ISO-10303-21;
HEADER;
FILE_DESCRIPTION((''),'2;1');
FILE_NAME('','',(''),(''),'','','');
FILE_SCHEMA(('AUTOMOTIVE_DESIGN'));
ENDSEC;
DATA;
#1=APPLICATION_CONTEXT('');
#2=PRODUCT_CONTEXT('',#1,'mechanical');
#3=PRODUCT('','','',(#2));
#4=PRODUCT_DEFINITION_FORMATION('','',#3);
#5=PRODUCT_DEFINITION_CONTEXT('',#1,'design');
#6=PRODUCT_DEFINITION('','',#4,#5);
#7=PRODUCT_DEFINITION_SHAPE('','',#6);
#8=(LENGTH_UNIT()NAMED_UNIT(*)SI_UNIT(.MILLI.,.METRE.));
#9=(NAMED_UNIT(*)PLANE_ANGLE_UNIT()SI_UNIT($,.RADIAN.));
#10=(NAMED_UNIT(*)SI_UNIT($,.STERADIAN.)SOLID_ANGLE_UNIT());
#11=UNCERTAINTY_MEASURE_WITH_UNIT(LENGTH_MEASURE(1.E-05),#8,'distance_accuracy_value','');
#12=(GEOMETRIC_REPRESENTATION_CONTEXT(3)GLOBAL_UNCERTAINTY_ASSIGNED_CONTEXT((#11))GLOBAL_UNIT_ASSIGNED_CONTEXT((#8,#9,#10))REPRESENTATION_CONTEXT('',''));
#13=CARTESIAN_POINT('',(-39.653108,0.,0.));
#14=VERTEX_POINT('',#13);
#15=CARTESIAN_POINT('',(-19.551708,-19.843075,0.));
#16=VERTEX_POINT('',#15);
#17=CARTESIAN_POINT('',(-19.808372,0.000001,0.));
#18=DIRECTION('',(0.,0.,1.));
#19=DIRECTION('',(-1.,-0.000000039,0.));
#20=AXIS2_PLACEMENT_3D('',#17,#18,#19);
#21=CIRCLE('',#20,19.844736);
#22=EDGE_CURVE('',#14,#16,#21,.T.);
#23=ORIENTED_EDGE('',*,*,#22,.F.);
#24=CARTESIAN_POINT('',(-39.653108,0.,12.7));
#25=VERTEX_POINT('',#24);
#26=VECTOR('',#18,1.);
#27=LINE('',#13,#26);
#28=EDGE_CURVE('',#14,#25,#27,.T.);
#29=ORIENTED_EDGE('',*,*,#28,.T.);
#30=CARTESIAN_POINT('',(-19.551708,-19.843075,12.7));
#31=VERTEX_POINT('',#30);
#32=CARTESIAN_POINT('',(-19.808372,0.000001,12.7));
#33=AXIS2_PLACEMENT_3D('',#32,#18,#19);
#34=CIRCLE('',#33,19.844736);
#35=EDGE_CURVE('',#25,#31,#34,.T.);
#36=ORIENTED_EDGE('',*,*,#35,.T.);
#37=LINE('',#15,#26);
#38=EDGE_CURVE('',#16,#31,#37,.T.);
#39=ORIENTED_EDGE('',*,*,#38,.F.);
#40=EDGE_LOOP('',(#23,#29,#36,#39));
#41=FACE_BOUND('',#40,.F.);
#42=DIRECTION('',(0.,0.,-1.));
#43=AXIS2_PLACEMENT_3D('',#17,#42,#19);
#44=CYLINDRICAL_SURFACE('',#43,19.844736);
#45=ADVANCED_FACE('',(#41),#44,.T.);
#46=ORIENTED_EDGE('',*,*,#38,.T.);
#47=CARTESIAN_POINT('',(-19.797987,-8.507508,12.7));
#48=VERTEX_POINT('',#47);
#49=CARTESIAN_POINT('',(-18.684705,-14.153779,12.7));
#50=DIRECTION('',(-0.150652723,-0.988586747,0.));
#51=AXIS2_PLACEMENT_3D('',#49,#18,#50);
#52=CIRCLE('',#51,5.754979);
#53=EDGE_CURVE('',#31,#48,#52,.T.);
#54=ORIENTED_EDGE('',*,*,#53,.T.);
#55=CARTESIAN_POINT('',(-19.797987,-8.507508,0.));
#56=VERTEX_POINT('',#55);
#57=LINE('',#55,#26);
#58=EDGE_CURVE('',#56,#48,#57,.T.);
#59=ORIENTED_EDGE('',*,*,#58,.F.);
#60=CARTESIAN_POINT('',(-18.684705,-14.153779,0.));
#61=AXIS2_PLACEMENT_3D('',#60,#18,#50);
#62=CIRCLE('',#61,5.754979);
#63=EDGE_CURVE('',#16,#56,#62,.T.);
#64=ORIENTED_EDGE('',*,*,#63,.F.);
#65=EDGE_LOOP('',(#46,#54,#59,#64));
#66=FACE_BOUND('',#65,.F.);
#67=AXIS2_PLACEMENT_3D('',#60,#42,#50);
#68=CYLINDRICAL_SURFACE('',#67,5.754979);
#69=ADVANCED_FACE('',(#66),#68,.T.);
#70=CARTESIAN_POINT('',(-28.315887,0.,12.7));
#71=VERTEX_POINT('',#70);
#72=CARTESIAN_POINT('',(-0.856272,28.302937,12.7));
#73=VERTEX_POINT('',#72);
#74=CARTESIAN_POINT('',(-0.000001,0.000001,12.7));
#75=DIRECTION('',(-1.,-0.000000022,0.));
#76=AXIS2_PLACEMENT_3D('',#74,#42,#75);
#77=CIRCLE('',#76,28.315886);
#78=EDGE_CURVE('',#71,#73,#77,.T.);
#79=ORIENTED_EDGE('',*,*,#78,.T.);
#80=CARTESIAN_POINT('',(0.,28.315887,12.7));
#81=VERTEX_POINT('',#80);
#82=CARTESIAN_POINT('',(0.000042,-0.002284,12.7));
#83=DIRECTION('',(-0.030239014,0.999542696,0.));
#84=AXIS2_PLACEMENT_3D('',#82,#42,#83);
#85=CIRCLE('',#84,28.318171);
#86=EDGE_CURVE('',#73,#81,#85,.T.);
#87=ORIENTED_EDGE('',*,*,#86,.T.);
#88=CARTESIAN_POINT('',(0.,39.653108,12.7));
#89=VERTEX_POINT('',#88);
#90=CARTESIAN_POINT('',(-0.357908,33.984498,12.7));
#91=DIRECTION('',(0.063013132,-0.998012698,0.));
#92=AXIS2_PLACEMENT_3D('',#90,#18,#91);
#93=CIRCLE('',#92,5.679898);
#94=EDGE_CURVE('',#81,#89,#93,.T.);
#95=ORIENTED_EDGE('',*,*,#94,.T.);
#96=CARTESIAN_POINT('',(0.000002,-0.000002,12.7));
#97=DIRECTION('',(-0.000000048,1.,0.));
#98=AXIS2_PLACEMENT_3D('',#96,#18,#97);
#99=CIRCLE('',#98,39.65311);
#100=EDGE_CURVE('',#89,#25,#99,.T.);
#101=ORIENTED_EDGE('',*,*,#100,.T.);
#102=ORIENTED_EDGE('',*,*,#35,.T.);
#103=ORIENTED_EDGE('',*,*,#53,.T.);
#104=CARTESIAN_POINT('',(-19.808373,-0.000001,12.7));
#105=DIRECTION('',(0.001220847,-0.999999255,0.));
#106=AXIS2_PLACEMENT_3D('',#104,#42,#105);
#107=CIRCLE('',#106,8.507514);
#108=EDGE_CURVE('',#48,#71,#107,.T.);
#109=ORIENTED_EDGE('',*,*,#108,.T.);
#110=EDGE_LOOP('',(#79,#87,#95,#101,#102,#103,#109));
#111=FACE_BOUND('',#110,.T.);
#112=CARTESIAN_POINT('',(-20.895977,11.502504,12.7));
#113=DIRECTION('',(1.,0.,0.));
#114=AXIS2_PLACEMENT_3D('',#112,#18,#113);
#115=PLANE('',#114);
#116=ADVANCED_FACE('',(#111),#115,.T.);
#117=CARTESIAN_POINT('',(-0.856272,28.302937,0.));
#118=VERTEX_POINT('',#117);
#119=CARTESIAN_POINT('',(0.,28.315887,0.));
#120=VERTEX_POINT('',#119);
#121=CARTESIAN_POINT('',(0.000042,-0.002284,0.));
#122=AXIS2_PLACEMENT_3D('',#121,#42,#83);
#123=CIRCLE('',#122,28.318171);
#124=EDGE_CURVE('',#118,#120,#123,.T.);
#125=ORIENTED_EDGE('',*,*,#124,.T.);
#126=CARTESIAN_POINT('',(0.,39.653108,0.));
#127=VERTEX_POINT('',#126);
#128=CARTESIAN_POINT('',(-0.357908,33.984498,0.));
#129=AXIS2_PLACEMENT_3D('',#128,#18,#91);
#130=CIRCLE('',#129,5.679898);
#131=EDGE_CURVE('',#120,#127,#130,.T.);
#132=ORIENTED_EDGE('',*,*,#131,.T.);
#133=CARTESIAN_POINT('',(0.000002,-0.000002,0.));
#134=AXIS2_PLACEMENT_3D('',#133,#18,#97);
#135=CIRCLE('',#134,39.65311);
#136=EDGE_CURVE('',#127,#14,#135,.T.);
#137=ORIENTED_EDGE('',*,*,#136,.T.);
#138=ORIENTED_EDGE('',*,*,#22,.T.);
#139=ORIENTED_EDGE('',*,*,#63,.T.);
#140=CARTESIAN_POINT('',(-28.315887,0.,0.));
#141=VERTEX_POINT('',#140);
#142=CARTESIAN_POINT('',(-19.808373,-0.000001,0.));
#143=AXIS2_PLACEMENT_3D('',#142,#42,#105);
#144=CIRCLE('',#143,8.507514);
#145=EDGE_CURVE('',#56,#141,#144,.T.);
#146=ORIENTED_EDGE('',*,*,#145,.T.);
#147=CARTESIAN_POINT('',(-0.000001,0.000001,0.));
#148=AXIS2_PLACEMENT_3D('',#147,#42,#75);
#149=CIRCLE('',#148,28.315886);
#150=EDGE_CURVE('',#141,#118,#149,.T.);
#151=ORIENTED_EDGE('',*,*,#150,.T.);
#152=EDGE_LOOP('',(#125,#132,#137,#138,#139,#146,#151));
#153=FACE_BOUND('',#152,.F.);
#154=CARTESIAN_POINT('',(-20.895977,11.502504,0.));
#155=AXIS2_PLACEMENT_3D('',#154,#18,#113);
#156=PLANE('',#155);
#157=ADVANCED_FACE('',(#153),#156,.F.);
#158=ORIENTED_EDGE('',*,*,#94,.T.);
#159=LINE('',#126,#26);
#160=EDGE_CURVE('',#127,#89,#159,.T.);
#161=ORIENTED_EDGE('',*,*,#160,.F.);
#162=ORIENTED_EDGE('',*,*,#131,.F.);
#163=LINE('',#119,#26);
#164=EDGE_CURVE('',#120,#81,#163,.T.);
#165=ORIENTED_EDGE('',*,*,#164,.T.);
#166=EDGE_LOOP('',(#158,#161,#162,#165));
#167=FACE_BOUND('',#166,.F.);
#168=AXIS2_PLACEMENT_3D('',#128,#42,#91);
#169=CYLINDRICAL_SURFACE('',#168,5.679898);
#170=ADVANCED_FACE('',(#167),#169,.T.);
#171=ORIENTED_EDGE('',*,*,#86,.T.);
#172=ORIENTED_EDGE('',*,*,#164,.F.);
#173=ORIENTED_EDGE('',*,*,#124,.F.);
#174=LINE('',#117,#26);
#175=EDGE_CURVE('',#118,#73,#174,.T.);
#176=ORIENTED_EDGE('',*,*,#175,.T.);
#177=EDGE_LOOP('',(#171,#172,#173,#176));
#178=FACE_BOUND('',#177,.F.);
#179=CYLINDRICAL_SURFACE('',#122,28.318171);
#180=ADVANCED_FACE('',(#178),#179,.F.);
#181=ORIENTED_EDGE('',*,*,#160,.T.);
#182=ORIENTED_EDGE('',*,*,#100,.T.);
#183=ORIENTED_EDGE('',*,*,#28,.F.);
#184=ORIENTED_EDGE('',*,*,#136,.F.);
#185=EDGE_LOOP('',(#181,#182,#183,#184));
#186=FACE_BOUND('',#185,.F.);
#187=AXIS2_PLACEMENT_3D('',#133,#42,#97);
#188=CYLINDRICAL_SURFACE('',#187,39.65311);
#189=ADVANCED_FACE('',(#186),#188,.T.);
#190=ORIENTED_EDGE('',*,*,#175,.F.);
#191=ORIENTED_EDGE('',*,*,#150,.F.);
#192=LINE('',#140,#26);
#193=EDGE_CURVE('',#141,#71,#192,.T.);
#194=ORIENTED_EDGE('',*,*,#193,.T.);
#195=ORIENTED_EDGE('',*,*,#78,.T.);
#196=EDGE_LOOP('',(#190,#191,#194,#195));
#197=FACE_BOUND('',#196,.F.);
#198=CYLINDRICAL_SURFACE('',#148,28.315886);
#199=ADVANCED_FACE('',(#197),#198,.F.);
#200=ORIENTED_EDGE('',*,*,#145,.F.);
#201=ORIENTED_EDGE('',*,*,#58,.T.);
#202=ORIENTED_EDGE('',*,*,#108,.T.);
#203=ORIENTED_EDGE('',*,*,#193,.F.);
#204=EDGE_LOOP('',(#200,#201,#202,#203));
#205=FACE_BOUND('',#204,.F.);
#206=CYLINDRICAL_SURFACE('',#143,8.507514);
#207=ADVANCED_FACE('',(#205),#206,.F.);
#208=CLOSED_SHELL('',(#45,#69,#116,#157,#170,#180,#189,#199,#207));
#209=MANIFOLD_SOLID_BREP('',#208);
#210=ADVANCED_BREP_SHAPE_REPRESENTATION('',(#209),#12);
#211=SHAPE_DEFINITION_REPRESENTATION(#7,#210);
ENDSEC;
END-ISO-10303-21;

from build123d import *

# Parameters (mm, degrees)
F1_DEPTH = 12.7


with BuildPart() as f1:
    # F0 (on Top) → F1 (new body)
    with BuildSketch(Plane.XY):
        with BuildLine():
            ThreePointArc((-0.856272, 28.302937), (-0.428185, 28.312649), (0, 28.315887))
            ThreePointArc((0, 28.315887), (5.32199, 33.984497), (0, 39.653108))
            ThreePointArc((0, 39.653108), (-28.038981, 28.038981), (-39.653108, 0))
            ThreePointArc((-39.653108, 0), (-33.749679, -14.1228), (-19.551708, -19.843075))
            ThreePointArc((-19.551708, -19.843075), (-12.931084, -14.028775), (-19.797987, -8.507508))
            ThreePointArc((-19.797987, -8.507508), (-25.820421, -6.019392), (-28.315887, 0))
            ThreePointArc((-28.315887, 0), (-20.322839, 19.717294), (-0.856272, 28.302937))
        make_face()
    extrude(amount=F1_DEPTH)


solid = f1.part
